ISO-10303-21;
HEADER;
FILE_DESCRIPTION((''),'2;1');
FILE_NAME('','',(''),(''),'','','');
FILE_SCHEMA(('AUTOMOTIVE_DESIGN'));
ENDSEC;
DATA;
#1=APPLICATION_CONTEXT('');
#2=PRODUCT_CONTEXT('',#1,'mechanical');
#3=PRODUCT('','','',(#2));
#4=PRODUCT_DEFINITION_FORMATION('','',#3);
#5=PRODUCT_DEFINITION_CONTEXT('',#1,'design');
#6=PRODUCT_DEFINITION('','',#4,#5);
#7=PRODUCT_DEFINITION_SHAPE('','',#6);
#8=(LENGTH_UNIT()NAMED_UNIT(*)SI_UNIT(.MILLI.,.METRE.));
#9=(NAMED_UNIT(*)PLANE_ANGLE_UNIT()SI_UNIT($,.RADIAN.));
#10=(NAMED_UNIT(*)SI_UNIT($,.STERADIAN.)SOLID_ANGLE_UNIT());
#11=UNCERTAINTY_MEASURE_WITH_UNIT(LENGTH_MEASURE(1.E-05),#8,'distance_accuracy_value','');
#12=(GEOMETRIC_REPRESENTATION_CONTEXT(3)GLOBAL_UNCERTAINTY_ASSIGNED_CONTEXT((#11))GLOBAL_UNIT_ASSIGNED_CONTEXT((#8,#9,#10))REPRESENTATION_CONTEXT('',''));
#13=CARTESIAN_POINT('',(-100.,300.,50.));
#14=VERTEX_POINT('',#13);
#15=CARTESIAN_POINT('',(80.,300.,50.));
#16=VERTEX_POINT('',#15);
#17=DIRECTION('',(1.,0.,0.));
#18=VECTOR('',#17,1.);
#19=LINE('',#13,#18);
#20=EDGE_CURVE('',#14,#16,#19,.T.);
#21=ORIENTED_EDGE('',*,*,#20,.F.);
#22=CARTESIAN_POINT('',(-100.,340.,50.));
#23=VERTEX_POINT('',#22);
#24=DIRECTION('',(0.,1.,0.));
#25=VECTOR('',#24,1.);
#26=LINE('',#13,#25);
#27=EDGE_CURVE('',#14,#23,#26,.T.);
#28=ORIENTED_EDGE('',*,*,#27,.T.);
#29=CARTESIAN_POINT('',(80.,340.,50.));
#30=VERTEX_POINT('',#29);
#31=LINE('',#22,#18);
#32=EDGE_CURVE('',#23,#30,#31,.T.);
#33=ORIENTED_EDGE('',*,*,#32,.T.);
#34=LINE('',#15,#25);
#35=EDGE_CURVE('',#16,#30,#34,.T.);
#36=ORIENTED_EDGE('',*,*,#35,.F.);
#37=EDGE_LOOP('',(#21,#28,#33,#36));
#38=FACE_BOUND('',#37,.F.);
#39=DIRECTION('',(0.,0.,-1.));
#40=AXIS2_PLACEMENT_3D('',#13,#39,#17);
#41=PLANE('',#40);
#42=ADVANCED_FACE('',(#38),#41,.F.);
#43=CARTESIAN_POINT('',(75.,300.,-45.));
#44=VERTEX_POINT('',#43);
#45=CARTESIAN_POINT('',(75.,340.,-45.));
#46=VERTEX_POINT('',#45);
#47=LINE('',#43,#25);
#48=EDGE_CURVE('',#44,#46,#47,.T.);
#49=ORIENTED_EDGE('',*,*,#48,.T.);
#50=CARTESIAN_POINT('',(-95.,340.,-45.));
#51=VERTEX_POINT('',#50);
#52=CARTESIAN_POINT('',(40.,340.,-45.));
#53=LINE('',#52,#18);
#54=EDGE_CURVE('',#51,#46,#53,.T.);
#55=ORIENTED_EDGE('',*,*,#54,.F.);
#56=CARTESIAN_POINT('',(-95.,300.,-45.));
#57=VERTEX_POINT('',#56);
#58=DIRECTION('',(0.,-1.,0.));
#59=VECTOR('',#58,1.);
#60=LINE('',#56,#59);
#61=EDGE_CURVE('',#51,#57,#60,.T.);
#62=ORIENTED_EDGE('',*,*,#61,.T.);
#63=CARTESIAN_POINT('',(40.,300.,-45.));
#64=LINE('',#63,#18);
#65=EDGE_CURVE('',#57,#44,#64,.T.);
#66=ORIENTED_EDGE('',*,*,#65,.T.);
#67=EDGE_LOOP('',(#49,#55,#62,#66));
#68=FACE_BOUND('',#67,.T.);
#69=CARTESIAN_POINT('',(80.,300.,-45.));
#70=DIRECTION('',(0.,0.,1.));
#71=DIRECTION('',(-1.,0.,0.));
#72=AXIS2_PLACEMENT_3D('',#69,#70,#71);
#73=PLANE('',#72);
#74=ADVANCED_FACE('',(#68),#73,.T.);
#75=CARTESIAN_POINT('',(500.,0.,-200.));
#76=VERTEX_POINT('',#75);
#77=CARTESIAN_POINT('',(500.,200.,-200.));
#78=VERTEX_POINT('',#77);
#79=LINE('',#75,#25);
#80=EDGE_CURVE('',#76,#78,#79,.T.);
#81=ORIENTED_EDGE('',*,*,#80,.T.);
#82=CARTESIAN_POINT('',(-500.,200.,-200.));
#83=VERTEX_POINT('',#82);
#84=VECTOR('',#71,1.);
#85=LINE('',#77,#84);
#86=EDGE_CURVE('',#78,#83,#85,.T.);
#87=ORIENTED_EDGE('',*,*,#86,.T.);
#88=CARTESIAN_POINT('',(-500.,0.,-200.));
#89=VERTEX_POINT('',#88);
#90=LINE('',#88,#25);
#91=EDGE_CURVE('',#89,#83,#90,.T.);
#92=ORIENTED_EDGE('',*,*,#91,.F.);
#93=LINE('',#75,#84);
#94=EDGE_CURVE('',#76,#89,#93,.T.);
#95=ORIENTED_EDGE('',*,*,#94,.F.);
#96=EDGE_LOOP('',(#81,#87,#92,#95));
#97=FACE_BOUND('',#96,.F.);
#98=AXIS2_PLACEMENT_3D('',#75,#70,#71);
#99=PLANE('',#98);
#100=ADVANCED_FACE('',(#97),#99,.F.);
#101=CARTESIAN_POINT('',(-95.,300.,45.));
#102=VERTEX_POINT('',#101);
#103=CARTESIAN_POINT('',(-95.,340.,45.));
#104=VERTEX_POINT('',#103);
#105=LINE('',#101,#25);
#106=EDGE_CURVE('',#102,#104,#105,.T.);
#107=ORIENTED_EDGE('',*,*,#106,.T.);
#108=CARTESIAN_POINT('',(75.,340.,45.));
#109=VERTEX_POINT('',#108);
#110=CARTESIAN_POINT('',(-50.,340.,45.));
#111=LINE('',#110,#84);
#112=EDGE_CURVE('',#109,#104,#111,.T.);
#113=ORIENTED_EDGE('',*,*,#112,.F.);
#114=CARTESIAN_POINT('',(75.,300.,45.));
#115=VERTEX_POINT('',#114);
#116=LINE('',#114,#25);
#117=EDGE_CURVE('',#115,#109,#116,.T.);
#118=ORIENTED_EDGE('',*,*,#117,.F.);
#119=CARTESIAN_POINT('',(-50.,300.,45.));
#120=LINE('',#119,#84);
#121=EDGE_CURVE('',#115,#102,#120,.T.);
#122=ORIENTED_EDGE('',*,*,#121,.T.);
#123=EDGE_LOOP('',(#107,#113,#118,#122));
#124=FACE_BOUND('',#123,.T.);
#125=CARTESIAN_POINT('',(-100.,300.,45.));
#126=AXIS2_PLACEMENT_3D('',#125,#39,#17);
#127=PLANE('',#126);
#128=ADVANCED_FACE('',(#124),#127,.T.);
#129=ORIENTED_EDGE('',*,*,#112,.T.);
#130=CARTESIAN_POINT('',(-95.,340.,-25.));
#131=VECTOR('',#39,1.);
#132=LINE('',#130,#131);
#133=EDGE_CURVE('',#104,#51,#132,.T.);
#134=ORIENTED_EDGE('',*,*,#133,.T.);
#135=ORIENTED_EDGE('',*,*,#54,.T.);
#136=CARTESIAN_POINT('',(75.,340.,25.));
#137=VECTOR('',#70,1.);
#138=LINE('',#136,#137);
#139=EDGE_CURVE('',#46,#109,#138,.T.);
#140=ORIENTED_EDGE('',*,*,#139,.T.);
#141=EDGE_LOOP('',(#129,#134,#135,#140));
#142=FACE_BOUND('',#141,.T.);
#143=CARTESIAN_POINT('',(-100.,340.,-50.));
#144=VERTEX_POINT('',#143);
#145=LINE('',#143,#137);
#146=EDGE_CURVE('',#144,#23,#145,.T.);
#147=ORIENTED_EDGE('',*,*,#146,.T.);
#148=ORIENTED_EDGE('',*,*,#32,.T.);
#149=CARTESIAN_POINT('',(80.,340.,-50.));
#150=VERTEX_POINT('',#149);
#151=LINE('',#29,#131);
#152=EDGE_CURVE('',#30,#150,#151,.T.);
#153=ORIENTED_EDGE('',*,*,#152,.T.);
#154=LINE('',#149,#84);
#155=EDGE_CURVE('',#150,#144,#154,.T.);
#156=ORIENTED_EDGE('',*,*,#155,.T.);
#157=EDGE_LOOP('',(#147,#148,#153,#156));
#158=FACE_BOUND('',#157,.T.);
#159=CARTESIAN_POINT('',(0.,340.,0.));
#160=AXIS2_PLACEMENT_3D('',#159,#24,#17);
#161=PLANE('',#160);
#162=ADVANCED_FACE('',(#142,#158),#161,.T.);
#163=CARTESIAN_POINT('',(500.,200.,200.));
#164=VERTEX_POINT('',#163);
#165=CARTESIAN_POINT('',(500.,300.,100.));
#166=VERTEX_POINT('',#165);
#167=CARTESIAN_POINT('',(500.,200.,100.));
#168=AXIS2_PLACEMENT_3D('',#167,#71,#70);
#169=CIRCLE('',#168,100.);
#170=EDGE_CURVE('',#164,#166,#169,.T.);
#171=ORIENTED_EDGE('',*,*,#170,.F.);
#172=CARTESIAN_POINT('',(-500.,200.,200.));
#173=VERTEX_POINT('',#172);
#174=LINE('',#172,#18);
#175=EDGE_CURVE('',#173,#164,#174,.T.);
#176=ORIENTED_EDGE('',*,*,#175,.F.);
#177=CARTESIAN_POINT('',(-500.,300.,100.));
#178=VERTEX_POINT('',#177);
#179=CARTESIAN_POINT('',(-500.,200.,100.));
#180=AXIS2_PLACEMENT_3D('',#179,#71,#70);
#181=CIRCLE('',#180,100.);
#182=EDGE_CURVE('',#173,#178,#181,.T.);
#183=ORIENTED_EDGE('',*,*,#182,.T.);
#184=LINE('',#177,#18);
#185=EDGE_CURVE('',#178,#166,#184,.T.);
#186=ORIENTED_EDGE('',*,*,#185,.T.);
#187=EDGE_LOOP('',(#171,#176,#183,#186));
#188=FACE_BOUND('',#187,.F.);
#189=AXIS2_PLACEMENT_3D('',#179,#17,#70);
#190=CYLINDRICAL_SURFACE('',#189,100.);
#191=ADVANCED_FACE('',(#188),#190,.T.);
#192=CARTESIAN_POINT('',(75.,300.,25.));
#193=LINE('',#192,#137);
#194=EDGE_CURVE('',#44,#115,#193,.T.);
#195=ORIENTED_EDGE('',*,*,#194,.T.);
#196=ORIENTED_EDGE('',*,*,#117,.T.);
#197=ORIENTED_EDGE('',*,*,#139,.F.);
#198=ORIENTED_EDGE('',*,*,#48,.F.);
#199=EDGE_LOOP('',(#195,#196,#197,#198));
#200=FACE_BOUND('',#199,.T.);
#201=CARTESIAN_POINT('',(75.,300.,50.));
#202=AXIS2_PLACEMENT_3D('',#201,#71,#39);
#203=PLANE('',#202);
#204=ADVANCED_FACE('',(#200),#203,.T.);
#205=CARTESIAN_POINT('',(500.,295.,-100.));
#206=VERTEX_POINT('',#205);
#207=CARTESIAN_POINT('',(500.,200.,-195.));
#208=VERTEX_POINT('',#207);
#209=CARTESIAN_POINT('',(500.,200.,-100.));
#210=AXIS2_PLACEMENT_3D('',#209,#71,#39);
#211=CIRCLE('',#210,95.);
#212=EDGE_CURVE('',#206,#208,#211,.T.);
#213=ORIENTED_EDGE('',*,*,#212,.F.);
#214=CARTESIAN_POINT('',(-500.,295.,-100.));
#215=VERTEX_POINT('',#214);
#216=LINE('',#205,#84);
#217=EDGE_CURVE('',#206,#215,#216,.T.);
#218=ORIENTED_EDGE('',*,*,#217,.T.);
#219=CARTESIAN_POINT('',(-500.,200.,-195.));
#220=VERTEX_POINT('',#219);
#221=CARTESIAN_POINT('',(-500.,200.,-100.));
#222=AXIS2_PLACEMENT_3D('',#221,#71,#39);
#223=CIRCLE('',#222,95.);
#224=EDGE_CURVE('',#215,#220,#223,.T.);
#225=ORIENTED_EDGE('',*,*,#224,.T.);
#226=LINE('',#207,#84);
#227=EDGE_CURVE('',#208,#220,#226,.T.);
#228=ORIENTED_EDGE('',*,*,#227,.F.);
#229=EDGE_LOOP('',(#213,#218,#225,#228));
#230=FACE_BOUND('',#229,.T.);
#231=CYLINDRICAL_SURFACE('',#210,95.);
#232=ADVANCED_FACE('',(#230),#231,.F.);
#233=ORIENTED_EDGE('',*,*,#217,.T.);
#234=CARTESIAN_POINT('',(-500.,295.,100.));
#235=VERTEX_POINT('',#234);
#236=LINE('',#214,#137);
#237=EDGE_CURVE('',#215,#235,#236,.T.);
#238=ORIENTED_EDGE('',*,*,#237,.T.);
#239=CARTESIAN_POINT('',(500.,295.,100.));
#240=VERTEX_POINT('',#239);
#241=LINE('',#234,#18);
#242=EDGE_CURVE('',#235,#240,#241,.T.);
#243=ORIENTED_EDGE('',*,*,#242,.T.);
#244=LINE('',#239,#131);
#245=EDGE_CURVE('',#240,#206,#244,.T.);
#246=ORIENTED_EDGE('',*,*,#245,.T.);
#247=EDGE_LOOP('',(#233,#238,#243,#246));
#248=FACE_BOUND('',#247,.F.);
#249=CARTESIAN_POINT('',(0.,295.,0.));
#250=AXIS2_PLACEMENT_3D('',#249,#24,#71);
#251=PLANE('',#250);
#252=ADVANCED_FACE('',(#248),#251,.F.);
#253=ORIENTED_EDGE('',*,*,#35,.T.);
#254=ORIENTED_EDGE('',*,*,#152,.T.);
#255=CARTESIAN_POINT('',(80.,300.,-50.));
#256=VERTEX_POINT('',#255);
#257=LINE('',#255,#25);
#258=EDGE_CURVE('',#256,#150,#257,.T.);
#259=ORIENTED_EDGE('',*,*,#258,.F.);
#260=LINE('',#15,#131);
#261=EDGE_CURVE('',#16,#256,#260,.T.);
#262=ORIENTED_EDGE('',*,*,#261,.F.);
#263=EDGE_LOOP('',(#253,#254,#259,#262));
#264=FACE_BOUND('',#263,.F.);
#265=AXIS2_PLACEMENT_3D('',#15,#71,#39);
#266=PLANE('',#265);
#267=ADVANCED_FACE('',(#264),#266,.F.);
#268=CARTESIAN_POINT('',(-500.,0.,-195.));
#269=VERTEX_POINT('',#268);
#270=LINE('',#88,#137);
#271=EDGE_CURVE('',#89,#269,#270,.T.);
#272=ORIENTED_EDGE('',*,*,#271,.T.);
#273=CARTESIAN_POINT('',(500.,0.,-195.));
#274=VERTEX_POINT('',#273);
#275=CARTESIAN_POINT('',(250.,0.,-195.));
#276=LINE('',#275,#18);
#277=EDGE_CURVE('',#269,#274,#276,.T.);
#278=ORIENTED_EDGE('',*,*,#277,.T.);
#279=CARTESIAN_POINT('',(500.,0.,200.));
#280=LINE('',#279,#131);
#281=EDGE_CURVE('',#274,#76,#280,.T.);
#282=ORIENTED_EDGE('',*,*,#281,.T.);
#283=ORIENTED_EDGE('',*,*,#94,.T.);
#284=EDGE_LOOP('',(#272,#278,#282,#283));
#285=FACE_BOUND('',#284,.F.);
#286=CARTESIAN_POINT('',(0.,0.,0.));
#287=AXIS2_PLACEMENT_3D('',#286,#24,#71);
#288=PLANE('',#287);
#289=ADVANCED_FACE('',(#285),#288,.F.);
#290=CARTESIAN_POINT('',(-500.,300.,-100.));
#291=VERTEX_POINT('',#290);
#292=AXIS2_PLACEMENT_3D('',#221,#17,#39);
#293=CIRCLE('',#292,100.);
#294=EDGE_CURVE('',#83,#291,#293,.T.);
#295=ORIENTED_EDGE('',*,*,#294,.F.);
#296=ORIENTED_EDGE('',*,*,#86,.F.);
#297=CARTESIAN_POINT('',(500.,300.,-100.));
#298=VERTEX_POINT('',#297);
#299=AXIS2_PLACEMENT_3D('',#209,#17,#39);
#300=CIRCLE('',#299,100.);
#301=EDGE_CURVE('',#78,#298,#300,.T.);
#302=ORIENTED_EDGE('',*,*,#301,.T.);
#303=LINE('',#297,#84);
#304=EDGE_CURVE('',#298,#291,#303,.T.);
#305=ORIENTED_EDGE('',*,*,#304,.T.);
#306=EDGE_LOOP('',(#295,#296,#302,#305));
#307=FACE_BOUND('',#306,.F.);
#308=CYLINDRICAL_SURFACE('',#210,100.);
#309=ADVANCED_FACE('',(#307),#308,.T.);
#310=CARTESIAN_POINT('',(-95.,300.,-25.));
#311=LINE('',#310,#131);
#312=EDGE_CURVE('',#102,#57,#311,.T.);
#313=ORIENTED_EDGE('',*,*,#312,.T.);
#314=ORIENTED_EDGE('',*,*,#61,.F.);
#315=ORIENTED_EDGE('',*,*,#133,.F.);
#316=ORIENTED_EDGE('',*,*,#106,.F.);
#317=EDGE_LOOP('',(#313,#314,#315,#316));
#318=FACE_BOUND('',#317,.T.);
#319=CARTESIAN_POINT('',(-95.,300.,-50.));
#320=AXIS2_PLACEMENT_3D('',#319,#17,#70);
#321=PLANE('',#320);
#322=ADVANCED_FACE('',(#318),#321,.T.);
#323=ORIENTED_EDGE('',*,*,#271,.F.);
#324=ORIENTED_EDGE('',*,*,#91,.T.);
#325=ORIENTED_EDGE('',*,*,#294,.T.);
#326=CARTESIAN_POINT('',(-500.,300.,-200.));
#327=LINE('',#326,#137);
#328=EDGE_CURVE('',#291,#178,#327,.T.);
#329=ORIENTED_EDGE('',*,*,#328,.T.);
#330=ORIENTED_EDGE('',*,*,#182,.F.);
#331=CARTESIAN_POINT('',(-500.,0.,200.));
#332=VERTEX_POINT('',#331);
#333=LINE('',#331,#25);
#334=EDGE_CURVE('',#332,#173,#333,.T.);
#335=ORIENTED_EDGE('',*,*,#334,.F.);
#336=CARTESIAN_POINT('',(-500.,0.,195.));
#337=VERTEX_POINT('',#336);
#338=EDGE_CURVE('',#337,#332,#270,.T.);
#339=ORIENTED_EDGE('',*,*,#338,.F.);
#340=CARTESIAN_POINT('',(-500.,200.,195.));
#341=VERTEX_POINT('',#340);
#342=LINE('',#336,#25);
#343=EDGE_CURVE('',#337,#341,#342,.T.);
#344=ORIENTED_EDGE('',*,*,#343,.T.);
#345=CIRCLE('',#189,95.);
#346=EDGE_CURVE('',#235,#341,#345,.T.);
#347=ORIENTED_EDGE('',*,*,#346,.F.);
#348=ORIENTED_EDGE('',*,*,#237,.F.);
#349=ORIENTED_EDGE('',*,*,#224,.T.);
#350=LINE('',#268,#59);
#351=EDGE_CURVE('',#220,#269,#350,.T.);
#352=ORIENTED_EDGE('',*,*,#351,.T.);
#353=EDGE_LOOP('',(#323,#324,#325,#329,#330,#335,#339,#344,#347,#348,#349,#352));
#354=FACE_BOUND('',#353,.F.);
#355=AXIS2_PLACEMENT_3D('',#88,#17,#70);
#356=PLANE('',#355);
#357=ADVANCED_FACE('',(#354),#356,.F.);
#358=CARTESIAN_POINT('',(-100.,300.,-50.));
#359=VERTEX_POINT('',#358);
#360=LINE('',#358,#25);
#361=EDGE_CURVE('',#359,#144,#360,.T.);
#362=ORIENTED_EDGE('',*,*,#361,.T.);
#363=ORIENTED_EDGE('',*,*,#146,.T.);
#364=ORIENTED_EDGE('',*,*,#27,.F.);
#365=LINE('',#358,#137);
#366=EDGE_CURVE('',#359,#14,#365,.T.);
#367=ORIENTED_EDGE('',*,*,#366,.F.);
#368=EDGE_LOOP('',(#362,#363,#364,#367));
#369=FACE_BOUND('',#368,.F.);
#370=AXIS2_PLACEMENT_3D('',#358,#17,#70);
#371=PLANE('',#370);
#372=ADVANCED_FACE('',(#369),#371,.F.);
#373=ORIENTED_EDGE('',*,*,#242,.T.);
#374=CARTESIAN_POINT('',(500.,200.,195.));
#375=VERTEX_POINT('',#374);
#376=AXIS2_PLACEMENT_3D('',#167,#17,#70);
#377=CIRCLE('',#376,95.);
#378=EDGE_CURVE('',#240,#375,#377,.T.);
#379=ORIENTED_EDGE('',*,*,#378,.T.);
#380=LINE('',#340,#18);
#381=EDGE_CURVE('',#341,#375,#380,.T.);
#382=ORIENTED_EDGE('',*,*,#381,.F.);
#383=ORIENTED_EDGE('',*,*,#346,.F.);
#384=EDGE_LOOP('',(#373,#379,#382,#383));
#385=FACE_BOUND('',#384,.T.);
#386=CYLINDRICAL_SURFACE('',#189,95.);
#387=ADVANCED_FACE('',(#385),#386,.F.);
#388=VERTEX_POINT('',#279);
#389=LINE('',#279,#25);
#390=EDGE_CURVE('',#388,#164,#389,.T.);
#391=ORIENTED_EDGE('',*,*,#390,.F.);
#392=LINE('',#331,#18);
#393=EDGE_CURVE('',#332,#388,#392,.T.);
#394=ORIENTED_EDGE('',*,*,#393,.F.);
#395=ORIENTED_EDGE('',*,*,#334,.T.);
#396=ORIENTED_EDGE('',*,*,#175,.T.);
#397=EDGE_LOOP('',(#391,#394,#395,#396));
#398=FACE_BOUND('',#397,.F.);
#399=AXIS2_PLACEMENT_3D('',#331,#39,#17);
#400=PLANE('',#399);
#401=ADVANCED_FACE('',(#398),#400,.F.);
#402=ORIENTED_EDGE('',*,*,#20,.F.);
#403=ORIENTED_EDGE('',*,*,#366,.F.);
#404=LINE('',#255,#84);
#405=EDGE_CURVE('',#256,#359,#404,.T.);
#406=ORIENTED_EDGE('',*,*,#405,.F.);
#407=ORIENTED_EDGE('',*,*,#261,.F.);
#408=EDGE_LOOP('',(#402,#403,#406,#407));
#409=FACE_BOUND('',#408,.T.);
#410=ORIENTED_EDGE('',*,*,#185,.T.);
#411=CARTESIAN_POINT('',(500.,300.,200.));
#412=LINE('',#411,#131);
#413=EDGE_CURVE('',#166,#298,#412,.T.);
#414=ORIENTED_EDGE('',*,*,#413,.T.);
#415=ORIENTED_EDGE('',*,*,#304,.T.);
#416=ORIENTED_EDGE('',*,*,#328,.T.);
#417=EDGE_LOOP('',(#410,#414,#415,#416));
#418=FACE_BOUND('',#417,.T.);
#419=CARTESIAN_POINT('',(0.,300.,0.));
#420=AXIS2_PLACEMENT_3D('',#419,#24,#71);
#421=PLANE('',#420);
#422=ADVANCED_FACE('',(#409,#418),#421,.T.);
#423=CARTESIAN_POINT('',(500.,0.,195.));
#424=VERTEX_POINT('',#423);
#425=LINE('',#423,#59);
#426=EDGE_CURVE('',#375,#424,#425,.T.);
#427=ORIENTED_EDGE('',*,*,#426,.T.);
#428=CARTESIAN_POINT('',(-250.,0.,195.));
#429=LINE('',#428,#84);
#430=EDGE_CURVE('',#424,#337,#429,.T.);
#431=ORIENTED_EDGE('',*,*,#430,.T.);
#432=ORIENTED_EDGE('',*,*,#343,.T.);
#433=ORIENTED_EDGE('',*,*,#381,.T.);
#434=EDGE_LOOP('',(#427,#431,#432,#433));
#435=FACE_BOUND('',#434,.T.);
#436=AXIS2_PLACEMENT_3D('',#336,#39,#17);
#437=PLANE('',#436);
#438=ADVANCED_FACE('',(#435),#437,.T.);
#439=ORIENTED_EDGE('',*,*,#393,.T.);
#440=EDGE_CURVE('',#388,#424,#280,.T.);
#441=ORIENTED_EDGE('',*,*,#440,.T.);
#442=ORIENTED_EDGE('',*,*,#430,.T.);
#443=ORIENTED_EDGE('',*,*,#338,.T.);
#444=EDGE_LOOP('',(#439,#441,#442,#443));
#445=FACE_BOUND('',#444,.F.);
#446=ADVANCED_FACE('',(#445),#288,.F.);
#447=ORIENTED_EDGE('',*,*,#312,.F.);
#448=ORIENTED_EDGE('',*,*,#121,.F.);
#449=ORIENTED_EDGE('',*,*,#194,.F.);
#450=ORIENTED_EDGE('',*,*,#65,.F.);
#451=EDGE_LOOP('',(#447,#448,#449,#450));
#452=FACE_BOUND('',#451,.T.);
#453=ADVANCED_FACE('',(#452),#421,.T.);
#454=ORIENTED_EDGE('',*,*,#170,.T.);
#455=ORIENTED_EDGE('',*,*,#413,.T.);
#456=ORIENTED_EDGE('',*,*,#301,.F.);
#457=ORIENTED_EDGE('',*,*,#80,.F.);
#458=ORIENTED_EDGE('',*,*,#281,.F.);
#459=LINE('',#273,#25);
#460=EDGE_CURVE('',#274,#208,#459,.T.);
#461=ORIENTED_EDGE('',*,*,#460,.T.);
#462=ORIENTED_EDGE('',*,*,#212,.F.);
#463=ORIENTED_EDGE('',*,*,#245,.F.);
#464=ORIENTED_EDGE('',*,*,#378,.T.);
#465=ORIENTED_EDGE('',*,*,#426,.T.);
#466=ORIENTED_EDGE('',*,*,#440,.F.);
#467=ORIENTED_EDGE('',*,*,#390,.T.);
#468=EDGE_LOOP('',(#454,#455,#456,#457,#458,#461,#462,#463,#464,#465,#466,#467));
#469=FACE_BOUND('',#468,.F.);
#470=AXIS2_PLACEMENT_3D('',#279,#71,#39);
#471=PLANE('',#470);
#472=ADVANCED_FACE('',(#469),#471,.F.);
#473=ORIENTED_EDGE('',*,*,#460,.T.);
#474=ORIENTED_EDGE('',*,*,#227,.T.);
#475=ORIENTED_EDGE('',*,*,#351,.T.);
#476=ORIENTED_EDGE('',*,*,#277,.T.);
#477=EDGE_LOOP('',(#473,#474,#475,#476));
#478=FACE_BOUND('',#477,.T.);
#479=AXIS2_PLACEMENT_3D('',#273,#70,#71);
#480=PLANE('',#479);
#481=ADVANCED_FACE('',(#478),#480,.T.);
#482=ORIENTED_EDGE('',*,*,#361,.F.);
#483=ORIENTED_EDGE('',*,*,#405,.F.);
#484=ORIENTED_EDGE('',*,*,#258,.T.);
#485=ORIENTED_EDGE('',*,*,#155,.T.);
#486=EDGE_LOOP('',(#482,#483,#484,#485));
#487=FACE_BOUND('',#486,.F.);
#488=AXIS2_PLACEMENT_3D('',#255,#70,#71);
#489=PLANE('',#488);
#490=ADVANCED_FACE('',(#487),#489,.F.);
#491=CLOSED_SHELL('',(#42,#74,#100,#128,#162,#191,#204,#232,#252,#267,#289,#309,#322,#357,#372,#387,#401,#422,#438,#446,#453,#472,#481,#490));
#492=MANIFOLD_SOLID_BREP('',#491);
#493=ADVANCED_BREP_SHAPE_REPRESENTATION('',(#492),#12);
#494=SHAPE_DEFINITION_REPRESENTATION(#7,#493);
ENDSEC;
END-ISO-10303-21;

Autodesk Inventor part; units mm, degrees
ref_plane "YZ Plane" through (0, 0, 0) normal (1, 0, 0) x (0, 1, 0)
ref_plane "XZ Plane" through (0, 0, 0) normal (0, 1, 0) x (-1, 0, 0)
ref_plane "XY Plane" through (0, 0, 0) normal (0, 0, 1) x (1, 0, 0)
sketch "Sketch1" plane through (0, 0, 0) normal (0, 1, 0) x (-1, 0, 0)
  line L0 (500, 200) -> (-500, 200)
  line L1 (-500, 200) -> (-500, -200)
  line L2 (-500, -200) -> (500, -200)
  line L3 (500, -200) -> (500, 200)
  line L4 (500, 200) -> (-500, -200) construction
  line L5 (-500, 200) -> (500, -200) construction
  point P0 (0, 0)
  dimension "d0" = 1000
  dimension "d1" = 400
extrude "Extrusion1" add sketch "Sketch1" along normal blind 300
fillet "Fillet1" radius 100 2 edges at (0, 300, 200) (0, 300, -200)
shell "Shell1" thickness 5 removed faces 3 at (-500, 100, -33.3333) at (166.6667, 0, 66.6667) at (500, 100, 33.3333)
sketch "Sketch2" plane through (0, 300, 0) normal (0, 1, 0) x (1, 0, 0)
  line L0 (-100, -50) -> (80, -50)
  line L1 (80, -50) -> (80, 50)
  line L2 (80, 50) -> (-100, 50)
  line L3 (-100, 50) -> (-100, -50)
  line L4 (-500, 100) -> (-500, -100) projected
  line L5 (500, -100) -> (-500, -100) projected
  point P0 (0, 0)
  dimension "d6" = 180
  dimension "d7" = 100
  dimension "d8" = 400
  dimension "d9" = 50
extrude "Extrusion2" add sketch "Sketch2" along normal blind 40
shell "Shell2" thickness 5 removed faces 1 at (-40, 340, 16.6667)
properties part number "GEAR PANEL"
